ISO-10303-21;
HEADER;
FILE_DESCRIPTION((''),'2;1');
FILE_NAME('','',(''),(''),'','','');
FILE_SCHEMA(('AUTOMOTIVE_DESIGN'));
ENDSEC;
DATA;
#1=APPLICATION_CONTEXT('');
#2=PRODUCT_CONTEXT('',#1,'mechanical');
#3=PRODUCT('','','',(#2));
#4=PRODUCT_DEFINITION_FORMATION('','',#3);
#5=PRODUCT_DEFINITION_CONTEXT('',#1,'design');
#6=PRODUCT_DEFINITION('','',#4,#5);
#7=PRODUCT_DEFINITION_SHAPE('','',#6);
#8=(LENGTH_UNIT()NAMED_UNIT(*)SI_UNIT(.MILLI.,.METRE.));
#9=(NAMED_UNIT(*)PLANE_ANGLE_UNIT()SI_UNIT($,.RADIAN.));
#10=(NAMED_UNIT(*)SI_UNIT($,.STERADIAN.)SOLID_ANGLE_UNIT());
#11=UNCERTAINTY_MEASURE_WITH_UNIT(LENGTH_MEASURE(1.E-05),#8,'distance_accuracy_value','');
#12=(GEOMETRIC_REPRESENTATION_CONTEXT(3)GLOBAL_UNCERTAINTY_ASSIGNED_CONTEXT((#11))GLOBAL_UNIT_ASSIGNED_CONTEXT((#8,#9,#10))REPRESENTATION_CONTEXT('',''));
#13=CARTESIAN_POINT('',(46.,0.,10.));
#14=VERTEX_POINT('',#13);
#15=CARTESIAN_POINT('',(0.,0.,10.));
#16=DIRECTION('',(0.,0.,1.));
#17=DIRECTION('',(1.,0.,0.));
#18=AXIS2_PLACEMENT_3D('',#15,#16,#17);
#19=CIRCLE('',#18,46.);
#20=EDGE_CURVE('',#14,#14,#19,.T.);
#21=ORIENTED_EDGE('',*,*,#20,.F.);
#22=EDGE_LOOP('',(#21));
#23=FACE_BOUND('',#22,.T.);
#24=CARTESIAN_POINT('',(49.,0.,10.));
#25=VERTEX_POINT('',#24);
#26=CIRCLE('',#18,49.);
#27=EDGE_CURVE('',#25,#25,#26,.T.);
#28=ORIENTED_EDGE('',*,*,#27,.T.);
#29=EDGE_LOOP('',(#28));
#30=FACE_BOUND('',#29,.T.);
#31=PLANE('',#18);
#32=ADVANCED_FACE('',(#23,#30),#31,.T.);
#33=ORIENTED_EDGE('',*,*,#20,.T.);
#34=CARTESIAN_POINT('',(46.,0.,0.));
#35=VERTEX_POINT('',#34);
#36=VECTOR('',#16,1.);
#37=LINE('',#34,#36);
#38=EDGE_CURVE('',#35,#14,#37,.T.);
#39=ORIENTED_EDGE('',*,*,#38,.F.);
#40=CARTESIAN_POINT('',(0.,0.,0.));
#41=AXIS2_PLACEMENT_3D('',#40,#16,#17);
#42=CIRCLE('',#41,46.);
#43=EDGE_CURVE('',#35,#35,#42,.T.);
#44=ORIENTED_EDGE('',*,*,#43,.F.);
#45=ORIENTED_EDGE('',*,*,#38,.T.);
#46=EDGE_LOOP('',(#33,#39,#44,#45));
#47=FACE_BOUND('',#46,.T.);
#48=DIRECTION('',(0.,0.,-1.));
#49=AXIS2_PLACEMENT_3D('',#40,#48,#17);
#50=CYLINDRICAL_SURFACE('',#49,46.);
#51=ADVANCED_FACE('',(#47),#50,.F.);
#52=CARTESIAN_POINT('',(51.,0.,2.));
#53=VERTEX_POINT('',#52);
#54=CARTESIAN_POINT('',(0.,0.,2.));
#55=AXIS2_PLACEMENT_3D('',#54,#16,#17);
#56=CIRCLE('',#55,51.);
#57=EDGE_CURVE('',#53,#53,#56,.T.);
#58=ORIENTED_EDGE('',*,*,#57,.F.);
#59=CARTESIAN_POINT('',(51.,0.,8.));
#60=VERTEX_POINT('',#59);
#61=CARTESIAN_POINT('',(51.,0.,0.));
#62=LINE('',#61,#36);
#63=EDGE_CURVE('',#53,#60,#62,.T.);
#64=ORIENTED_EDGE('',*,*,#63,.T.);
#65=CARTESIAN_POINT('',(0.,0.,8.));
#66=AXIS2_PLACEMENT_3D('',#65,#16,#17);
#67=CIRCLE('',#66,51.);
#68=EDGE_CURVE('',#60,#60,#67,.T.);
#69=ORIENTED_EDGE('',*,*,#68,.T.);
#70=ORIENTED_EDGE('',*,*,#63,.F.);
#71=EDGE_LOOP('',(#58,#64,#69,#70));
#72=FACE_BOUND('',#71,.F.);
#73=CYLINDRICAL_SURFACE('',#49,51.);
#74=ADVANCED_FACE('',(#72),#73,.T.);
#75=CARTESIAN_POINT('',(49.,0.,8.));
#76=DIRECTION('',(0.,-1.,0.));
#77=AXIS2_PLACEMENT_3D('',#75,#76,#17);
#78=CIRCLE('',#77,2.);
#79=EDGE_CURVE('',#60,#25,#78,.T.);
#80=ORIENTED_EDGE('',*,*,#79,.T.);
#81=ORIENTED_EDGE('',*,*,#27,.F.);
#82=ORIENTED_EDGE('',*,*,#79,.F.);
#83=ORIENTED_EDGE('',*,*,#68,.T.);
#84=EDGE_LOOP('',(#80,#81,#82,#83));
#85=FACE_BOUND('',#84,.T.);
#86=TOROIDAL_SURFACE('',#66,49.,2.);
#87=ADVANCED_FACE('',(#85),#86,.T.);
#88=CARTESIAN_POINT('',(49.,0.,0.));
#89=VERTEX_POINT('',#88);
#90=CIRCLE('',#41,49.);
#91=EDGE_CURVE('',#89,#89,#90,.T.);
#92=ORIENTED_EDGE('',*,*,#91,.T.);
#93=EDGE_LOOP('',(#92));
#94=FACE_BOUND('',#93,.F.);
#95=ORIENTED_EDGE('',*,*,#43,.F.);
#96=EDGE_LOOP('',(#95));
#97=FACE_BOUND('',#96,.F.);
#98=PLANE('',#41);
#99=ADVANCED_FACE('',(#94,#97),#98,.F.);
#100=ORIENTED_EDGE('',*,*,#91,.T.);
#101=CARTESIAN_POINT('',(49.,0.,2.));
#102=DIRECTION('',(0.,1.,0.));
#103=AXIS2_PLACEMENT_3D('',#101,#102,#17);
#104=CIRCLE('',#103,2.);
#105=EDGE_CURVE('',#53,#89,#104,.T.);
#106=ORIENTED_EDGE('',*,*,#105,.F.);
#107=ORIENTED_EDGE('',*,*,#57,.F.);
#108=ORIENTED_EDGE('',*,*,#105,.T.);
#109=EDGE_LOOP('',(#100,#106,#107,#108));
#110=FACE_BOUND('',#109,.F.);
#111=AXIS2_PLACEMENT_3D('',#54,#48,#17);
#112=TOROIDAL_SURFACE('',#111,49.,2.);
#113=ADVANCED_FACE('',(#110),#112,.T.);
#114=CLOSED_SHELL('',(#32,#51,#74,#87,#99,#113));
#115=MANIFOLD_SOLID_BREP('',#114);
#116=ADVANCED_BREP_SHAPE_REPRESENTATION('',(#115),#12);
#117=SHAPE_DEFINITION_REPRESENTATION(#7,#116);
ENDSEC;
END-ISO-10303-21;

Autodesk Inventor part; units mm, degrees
ref_plane "YZ Plane" through (0, 0, 0) normal (1, 0, 0) x (0, 1, 0)
ref_plane "XZ Plane" through (0, 0, 0) normal (0, 1, 0) x (-1, 0, 0)
ref_plane "XY Plane" through (0, 0, 0) normal (0, 0, 1) x (1, 0, 0)
sketch "Sketch1" plane through (0, 0, 0) normal (0, 0, 1) x (1, 0, 0)
  circle A0 centre (0, 0) radius 46
  circle A1 centre (0, 0) radius 51
  dimension "d0" = 92
  dimension "d1" = 102
extrude "Extrusion1" add sketch "Sketch1" along normal blind 10
thread "Thread1" size "M95x4" class "6H" standard "ANSI Metric M Profile" full length
fillet "Fillet1" radius 2 2 edges at (-51, 0, 10) (-51, 0, 0)
properties part number "nut"
